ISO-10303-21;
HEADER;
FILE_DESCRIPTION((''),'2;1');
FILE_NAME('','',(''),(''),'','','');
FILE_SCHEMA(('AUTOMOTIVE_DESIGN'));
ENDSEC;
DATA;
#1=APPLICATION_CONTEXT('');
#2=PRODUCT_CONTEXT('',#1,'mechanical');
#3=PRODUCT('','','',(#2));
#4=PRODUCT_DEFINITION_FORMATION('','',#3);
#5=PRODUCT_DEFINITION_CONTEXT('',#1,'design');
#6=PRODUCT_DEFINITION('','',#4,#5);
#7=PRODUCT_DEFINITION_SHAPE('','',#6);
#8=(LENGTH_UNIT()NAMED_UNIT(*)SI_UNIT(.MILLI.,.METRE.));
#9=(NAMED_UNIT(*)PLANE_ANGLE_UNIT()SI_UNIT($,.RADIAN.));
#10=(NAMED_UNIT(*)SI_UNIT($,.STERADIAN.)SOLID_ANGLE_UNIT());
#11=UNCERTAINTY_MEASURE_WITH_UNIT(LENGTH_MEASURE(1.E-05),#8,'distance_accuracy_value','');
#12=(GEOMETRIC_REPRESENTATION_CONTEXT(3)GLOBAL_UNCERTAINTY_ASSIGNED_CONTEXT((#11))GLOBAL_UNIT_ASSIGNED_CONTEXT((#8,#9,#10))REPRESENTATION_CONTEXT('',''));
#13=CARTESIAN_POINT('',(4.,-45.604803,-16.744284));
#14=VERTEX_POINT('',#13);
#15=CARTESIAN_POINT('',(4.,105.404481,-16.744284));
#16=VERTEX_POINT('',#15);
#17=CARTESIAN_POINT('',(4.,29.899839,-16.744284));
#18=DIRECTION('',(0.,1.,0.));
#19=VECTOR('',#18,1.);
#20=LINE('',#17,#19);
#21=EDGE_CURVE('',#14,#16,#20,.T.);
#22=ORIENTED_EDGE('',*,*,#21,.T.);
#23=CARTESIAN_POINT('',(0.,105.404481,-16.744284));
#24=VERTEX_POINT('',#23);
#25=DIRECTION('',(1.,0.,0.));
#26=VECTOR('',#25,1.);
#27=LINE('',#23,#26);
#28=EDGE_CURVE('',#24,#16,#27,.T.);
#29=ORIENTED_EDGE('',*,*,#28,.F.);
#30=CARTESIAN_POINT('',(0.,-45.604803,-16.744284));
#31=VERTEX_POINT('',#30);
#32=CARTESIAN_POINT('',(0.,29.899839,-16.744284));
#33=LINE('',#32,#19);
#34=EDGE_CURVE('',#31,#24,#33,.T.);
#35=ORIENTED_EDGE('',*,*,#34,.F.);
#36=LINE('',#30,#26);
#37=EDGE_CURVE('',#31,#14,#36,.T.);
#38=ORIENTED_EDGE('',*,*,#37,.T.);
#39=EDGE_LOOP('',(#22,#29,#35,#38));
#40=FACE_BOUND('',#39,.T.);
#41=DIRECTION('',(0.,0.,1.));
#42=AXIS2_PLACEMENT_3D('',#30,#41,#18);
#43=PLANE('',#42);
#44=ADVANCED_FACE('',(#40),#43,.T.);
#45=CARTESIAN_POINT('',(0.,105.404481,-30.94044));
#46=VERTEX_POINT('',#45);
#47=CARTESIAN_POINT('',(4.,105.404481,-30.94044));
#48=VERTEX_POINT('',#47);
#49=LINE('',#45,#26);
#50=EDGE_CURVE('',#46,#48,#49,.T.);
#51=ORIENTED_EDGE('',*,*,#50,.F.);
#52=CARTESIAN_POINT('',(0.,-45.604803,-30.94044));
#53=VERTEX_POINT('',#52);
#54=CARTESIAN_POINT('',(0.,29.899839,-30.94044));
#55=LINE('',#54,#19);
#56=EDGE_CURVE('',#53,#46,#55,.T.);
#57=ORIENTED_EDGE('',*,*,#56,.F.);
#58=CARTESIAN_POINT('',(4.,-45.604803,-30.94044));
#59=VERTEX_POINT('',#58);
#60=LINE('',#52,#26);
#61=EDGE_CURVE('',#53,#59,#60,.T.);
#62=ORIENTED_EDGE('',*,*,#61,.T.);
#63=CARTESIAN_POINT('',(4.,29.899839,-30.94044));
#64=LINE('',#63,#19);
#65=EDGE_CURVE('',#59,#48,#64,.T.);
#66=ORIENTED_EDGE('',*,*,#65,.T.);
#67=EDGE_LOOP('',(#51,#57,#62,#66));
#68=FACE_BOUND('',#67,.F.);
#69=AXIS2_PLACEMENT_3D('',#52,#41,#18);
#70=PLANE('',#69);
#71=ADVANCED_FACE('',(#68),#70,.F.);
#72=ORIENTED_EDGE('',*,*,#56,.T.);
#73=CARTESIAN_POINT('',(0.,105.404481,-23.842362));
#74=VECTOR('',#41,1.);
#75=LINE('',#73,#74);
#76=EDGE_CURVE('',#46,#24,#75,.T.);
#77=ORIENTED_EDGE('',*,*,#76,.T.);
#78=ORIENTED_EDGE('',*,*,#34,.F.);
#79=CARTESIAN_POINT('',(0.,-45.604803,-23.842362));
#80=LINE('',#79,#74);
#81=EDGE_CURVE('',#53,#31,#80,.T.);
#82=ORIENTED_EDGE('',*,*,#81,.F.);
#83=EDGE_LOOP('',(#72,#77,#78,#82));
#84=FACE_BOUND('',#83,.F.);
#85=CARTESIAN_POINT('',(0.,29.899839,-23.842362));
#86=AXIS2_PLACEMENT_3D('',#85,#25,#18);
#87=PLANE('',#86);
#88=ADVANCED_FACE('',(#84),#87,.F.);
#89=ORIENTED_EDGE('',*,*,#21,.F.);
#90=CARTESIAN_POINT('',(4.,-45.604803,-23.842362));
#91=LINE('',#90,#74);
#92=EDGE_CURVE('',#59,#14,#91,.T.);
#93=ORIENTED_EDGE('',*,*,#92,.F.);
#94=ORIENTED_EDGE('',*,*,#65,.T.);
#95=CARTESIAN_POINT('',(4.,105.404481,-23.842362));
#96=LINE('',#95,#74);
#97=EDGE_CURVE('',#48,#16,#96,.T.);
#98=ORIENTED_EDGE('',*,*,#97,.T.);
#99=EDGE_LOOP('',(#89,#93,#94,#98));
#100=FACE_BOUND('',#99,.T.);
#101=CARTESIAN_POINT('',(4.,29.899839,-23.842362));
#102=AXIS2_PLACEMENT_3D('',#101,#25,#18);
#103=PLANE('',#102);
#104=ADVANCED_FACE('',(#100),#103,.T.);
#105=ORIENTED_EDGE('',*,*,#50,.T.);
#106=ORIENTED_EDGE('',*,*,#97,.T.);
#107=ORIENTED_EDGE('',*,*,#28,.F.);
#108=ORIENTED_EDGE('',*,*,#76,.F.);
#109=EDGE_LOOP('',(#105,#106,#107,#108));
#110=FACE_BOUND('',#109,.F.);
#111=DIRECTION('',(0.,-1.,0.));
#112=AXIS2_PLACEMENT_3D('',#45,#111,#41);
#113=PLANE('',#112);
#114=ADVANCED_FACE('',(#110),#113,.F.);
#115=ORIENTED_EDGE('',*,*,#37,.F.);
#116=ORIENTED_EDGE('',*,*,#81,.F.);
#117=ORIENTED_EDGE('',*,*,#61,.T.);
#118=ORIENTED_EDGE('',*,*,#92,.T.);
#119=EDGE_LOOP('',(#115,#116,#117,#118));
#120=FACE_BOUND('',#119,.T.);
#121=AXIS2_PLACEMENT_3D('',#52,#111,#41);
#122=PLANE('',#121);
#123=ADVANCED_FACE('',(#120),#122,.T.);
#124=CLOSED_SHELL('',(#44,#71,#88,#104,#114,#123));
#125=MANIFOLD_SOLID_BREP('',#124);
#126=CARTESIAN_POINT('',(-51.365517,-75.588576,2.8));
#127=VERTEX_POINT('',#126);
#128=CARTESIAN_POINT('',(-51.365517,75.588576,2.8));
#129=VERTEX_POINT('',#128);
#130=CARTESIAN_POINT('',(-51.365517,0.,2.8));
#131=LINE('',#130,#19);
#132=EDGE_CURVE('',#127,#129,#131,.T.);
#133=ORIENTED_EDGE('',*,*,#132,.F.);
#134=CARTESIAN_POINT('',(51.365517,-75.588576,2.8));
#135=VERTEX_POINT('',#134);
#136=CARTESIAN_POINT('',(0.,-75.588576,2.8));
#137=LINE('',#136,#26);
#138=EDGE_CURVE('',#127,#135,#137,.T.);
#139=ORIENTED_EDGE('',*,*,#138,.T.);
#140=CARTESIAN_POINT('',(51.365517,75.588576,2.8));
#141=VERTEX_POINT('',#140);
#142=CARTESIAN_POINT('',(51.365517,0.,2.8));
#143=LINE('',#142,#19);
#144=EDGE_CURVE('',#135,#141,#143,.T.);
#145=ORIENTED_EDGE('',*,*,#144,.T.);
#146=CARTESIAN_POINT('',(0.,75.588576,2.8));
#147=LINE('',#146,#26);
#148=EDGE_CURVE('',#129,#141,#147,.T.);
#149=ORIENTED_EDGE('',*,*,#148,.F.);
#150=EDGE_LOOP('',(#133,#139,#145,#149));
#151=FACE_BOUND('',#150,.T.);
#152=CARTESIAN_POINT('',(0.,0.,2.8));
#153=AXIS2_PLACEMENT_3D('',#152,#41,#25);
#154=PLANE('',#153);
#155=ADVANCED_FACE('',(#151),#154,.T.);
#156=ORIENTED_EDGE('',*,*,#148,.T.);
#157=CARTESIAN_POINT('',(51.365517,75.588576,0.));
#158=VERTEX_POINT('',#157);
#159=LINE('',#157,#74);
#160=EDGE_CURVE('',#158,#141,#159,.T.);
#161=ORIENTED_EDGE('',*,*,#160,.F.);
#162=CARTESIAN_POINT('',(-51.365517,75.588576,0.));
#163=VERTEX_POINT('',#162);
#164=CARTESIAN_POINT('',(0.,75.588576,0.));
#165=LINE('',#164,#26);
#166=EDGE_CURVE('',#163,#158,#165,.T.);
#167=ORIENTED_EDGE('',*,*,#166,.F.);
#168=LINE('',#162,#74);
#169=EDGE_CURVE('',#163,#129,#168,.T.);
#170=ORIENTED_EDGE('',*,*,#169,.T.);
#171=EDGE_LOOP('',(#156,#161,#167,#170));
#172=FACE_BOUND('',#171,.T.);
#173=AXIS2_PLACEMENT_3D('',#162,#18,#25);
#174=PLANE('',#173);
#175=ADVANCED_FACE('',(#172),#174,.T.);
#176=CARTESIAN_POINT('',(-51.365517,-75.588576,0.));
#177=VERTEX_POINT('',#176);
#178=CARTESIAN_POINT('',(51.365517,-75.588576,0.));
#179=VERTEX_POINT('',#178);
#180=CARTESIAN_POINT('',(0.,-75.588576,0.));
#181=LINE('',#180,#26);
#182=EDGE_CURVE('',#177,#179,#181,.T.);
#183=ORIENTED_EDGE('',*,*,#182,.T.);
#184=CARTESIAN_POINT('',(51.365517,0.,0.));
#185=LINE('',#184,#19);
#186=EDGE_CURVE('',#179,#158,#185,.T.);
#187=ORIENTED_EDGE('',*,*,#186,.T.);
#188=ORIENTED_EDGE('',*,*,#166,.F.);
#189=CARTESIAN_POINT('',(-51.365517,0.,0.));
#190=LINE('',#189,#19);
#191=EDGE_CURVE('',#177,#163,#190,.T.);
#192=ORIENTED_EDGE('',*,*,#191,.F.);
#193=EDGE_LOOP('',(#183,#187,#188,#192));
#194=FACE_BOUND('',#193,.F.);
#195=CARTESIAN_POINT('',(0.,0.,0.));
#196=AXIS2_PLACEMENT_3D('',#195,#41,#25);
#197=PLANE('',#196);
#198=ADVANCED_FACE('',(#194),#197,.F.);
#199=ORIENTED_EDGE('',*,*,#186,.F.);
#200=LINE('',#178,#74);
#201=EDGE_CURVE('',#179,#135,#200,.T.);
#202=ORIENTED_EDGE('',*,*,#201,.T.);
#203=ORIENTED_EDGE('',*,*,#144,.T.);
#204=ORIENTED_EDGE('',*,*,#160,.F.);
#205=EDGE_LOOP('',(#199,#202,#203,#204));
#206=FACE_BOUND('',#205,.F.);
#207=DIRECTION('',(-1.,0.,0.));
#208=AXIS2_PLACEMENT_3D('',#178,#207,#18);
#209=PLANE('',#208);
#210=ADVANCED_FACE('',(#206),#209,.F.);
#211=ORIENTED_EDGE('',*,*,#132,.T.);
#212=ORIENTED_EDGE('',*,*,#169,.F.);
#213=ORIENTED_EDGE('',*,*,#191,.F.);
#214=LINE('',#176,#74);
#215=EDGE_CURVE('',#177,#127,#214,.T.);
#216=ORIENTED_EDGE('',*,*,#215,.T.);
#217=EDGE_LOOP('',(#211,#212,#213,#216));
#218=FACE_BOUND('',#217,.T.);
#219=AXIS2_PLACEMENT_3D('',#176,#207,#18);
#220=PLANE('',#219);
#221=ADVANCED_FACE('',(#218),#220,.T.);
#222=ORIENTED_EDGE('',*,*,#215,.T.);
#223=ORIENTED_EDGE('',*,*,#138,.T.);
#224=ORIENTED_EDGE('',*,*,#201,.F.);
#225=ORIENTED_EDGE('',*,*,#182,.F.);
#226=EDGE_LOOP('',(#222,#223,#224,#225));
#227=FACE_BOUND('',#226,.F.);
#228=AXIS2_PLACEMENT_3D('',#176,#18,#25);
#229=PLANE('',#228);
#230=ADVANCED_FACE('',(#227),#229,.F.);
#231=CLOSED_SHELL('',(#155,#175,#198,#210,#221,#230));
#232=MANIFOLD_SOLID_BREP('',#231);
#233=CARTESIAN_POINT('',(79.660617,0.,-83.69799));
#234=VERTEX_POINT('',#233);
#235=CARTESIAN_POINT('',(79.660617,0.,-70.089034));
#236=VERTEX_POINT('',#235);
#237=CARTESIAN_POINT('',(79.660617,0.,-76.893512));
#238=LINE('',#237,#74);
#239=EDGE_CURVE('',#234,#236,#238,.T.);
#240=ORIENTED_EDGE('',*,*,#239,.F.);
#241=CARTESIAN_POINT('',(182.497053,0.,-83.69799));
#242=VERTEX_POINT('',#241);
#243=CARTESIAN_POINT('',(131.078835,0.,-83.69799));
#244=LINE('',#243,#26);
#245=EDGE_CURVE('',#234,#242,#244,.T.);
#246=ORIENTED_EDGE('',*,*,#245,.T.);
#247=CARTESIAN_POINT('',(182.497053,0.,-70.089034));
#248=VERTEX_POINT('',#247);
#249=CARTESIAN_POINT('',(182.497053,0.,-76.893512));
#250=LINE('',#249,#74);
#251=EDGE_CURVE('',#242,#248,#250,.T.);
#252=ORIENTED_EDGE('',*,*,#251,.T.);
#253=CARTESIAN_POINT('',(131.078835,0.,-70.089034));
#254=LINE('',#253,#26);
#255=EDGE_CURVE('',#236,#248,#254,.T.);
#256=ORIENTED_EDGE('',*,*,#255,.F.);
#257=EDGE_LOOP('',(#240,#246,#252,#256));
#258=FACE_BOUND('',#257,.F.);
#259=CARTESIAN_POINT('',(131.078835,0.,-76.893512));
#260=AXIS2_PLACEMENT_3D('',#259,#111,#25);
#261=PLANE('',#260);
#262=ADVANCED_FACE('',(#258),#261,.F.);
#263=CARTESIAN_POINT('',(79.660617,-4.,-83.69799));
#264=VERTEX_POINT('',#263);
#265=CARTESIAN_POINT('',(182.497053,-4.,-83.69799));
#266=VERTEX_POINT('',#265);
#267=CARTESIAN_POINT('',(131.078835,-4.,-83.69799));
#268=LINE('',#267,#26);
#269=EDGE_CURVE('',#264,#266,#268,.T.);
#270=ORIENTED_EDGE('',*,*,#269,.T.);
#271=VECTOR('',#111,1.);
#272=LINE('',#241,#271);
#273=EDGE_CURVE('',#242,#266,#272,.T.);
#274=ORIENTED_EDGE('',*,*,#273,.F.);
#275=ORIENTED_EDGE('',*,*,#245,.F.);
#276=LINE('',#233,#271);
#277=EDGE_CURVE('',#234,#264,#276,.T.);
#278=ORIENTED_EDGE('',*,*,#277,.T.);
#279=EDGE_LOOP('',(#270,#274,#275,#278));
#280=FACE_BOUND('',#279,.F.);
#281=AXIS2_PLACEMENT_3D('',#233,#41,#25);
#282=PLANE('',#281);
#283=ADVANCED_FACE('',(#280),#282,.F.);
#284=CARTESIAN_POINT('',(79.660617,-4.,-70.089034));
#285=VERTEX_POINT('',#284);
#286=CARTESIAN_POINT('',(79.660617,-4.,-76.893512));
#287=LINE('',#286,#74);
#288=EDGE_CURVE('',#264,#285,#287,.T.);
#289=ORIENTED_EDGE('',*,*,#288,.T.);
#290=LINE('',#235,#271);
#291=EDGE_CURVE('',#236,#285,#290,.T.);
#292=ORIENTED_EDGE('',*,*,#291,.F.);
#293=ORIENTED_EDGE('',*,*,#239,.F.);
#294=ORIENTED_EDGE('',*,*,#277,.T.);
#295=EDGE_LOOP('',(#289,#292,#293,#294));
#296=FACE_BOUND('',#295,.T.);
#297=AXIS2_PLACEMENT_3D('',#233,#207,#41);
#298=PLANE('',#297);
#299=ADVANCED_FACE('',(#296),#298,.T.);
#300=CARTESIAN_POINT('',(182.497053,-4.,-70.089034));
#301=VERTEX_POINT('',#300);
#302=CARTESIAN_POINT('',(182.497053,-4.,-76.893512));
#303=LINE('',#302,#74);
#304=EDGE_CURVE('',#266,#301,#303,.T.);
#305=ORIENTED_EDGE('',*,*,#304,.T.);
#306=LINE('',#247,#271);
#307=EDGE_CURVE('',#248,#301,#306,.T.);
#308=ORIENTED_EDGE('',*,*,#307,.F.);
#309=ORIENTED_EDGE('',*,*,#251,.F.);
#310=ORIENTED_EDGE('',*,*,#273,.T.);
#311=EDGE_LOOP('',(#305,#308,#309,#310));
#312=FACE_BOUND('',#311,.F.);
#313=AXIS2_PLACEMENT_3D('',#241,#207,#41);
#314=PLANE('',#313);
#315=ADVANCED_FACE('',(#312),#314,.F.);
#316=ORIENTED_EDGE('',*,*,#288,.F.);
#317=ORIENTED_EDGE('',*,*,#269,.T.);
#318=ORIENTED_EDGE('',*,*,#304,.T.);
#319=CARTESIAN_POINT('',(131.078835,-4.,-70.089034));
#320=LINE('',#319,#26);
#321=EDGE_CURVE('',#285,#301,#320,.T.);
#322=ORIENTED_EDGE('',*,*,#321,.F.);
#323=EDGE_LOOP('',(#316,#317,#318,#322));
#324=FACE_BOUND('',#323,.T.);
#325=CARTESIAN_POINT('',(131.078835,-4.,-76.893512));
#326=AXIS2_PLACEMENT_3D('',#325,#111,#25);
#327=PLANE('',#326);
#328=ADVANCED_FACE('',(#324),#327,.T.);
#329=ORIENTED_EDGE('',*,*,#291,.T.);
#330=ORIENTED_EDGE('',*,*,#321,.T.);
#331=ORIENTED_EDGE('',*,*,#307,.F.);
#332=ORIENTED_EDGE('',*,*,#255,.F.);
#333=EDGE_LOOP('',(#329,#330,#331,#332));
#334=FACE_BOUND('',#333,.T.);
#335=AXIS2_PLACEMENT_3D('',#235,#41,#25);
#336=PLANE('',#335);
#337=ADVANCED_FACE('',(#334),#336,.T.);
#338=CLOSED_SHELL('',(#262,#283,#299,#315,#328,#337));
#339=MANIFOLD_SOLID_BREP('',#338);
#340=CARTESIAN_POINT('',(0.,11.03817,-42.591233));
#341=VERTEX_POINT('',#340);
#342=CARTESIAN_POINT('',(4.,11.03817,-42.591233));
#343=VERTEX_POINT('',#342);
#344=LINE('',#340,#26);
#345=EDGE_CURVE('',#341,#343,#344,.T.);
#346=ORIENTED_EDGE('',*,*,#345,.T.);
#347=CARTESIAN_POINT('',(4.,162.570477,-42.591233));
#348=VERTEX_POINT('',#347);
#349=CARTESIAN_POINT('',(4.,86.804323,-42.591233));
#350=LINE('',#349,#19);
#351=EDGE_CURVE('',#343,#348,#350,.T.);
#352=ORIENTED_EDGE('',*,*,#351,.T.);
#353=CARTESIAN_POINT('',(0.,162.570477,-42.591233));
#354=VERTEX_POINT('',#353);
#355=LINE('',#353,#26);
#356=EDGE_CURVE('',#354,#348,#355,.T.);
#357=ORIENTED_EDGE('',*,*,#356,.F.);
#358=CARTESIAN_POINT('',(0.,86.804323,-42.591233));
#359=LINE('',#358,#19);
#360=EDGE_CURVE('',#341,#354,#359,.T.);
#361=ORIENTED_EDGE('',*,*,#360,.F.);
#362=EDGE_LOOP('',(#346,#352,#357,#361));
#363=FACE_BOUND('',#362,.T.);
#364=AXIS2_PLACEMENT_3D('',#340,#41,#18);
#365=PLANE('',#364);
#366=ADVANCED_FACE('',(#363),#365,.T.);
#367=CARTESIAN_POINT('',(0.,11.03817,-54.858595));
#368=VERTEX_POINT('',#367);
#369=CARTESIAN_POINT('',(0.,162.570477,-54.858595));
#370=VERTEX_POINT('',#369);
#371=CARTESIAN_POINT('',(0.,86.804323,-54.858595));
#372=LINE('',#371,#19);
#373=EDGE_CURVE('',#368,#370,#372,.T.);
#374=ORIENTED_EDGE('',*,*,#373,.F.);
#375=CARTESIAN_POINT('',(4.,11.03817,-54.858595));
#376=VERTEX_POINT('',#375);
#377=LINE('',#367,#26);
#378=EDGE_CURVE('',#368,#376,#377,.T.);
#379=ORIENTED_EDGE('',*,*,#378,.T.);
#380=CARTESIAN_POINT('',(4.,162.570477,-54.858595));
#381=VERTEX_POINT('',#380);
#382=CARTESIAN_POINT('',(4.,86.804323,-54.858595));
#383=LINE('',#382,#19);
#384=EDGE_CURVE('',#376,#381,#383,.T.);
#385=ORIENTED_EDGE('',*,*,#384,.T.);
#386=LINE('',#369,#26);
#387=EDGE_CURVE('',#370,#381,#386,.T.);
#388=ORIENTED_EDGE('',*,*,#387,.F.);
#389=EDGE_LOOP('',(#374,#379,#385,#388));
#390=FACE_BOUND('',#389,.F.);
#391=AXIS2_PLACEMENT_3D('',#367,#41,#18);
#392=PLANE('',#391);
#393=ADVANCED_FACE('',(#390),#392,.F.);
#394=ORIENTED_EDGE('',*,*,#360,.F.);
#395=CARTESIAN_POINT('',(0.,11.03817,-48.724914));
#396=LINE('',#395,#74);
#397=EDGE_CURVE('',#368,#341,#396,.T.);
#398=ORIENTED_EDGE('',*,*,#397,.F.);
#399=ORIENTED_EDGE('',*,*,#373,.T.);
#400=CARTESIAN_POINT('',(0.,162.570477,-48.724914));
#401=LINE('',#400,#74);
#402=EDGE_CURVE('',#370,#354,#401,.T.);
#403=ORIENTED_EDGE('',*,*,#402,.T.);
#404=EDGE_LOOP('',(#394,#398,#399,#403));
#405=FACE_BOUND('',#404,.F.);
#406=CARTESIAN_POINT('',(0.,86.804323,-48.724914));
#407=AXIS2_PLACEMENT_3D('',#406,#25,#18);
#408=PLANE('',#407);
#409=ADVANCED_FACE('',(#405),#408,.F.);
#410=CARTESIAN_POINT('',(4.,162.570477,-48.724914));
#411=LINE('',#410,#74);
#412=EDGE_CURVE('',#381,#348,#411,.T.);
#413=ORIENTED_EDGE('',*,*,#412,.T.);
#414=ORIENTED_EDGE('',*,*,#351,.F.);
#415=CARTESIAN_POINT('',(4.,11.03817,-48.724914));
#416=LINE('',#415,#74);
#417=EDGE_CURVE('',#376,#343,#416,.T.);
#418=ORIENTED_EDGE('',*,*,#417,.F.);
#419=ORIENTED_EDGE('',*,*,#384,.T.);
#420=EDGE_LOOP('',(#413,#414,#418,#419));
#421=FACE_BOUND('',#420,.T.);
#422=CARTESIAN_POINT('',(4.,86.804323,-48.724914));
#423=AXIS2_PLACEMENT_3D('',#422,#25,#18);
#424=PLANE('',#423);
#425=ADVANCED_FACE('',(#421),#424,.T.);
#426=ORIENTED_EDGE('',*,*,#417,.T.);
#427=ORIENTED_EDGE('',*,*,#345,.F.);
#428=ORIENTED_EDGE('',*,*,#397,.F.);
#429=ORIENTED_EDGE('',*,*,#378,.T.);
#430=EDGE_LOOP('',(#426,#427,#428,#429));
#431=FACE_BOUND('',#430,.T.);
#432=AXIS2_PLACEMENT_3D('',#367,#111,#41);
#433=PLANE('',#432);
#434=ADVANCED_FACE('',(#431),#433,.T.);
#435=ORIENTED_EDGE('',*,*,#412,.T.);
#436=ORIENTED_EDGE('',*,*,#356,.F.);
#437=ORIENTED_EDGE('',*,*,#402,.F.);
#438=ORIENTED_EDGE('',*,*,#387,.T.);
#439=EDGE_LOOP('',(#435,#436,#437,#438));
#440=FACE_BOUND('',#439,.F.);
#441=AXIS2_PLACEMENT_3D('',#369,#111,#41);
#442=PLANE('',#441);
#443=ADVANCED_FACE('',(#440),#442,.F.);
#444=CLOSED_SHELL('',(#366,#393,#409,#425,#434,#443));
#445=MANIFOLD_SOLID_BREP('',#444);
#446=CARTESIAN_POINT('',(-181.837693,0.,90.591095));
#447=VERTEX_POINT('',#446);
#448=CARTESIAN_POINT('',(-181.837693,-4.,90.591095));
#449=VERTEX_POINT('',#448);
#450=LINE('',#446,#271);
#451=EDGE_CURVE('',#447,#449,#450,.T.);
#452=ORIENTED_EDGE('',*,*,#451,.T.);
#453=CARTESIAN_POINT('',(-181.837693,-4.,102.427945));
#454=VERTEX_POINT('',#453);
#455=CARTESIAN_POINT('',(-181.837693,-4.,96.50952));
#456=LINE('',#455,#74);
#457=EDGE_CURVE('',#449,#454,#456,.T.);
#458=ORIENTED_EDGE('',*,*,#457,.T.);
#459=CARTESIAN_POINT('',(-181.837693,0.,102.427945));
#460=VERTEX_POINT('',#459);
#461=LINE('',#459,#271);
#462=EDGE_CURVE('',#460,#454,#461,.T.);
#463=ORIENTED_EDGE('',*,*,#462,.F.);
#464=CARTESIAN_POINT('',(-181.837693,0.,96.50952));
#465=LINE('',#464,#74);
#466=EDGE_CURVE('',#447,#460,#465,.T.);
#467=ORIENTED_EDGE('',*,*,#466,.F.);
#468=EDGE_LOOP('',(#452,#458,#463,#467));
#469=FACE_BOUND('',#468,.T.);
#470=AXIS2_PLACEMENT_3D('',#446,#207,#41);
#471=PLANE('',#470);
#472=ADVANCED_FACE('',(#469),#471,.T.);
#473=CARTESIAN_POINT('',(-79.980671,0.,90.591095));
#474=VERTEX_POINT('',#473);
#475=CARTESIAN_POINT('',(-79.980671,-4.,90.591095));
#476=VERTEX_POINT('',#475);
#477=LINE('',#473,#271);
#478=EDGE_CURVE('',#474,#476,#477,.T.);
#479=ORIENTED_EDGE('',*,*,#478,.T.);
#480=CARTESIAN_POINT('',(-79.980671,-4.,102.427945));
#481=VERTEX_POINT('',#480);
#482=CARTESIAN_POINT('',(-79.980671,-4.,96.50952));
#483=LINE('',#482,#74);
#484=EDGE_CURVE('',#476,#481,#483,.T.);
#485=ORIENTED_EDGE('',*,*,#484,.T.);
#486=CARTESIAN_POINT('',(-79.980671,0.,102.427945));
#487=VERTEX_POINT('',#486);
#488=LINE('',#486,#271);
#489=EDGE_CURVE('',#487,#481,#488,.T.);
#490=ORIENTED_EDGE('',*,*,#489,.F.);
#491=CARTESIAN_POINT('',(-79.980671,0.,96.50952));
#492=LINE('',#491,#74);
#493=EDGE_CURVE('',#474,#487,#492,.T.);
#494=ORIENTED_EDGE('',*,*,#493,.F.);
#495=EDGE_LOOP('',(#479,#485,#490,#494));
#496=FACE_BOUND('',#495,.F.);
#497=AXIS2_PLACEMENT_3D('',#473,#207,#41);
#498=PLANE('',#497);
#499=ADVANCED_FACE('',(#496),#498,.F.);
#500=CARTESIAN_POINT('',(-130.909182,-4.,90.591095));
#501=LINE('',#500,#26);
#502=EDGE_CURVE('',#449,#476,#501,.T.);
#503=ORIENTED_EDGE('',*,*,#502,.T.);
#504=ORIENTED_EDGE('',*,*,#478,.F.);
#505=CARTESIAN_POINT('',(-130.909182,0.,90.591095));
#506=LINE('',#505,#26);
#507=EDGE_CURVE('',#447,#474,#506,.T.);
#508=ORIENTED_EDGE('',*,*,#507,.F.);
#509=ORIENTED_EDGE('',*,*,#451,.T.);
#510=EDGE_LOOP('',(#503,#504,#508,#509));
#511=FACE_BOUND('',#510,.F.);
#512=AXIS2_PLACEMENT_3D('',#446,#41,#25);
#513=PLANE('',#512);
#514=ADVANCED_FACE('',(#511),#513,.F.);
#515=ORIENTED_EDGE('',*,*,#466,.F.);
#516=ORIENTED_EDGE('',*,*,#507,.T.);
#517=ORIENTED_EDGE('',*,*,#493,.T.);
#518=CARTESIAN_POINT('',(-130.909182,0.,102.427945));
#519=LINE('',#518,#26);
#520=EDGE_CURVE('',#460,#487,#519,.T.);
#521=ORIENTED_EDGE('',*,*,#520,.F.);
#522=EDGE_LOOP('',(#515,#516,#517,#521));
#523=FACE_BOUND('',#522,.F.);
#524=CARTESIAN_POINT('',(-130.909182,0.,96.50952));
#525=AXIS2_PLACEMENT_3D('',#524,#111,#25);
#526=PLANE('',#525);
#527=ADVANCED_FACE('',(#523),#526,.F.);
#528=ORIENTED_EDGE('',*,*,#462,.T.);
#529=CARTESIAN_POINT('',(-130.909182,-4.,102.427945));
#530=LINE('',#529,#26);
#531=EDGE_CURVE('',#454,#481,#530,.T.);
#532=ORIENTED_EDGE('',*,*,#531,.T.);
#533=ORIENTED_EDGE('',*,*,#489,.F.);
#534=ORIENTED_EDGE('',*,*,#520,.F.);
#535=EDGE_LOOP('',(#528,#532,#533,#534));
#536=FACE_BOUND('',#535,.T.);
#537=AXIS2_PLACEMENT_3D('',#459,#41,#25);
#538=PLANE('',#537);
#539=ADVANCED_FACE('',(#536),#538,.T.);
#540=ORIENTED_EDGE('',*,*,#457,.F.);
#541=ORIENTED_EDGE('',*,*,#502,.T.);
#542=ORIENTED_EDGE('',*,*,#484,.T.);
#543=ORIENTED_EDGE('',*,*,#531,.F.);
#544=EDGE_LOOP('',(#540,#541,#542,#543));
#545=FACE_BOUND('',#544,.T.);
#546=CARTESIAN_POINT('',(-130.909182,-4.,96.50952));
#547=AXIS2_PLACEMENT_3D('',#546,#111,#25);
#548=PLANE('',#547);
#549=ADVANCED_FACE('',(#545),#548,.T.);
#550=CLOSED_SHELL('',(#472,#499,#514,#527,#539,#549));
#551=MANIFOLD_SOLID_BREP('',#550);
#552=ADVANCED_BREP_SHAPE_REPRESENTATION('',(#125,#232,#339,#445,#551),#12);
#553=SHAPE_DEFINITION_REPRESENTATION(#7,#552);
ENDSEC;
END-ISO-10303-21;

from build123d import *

# Parameters (mm, degrees)
F0_W     = 102.731034
F0_H     = 151.177152
F1_DEPTH = 2.8
F2_W     = 151.009284
F2_H     = 14.196156
F3_DEPTH = 4
F4_W     = 151.532307
F4_H     = 12.267362
F5_DEPTH = 4
F6_W     = 102.836437
F6_H     = 13.608955
F7_DEPTH = 4
F8_W     = 101.857022
F8_H     = 11.83685
F9_DEPTH = 4


with BuildPart() as f1:
    # F0 (on Top) → F1 (new body)
    with BuildSketch(Plane.XY):
        Rectangle(F0_W, F0_H)
    extrude(amount=F1_DEPTH)


with BuildPart() as f3:
    # F2 (on Right) → F3 (new body)
    with BuildSketch(Plane.YZ):
        with Locations((29.899839, -23.842362)):
            Rectangle(F2_W, F2_H)
    extrude(amount=F3_DEPTH)


with BuildPart() as f5:
    # F4 (on Right) → F5 (new body)
    with BuildSketch(Plane.YZ):
        with Locations((86.804323, -48.724914)):
            Rectangle(F4_W, F4_H)
    extrude(amount=F5_DEPTH)


with BuildPart() as f7:
    # F6 (on Front) → F7 (new body)
    with BuildSketch(Plane.XZ):
        with Locations((131.078835, -76.893512)):
            Rectangle(F6_W, F6_H)
    extrude(amount=F7_DEPTH)


with BuildPart() as f9:
    # F8 (on Front) → F9 (new body)
    with BuildSketch(Plane.XZ):
        with Locations((-130.909182, 96.50952)):
            Rectangle(F8_W, F8_H)
    extrude(amount=F9_DEPTH)


solid = Compound([f1.part, f3.part, f5.part, f7.part, f9.part])
